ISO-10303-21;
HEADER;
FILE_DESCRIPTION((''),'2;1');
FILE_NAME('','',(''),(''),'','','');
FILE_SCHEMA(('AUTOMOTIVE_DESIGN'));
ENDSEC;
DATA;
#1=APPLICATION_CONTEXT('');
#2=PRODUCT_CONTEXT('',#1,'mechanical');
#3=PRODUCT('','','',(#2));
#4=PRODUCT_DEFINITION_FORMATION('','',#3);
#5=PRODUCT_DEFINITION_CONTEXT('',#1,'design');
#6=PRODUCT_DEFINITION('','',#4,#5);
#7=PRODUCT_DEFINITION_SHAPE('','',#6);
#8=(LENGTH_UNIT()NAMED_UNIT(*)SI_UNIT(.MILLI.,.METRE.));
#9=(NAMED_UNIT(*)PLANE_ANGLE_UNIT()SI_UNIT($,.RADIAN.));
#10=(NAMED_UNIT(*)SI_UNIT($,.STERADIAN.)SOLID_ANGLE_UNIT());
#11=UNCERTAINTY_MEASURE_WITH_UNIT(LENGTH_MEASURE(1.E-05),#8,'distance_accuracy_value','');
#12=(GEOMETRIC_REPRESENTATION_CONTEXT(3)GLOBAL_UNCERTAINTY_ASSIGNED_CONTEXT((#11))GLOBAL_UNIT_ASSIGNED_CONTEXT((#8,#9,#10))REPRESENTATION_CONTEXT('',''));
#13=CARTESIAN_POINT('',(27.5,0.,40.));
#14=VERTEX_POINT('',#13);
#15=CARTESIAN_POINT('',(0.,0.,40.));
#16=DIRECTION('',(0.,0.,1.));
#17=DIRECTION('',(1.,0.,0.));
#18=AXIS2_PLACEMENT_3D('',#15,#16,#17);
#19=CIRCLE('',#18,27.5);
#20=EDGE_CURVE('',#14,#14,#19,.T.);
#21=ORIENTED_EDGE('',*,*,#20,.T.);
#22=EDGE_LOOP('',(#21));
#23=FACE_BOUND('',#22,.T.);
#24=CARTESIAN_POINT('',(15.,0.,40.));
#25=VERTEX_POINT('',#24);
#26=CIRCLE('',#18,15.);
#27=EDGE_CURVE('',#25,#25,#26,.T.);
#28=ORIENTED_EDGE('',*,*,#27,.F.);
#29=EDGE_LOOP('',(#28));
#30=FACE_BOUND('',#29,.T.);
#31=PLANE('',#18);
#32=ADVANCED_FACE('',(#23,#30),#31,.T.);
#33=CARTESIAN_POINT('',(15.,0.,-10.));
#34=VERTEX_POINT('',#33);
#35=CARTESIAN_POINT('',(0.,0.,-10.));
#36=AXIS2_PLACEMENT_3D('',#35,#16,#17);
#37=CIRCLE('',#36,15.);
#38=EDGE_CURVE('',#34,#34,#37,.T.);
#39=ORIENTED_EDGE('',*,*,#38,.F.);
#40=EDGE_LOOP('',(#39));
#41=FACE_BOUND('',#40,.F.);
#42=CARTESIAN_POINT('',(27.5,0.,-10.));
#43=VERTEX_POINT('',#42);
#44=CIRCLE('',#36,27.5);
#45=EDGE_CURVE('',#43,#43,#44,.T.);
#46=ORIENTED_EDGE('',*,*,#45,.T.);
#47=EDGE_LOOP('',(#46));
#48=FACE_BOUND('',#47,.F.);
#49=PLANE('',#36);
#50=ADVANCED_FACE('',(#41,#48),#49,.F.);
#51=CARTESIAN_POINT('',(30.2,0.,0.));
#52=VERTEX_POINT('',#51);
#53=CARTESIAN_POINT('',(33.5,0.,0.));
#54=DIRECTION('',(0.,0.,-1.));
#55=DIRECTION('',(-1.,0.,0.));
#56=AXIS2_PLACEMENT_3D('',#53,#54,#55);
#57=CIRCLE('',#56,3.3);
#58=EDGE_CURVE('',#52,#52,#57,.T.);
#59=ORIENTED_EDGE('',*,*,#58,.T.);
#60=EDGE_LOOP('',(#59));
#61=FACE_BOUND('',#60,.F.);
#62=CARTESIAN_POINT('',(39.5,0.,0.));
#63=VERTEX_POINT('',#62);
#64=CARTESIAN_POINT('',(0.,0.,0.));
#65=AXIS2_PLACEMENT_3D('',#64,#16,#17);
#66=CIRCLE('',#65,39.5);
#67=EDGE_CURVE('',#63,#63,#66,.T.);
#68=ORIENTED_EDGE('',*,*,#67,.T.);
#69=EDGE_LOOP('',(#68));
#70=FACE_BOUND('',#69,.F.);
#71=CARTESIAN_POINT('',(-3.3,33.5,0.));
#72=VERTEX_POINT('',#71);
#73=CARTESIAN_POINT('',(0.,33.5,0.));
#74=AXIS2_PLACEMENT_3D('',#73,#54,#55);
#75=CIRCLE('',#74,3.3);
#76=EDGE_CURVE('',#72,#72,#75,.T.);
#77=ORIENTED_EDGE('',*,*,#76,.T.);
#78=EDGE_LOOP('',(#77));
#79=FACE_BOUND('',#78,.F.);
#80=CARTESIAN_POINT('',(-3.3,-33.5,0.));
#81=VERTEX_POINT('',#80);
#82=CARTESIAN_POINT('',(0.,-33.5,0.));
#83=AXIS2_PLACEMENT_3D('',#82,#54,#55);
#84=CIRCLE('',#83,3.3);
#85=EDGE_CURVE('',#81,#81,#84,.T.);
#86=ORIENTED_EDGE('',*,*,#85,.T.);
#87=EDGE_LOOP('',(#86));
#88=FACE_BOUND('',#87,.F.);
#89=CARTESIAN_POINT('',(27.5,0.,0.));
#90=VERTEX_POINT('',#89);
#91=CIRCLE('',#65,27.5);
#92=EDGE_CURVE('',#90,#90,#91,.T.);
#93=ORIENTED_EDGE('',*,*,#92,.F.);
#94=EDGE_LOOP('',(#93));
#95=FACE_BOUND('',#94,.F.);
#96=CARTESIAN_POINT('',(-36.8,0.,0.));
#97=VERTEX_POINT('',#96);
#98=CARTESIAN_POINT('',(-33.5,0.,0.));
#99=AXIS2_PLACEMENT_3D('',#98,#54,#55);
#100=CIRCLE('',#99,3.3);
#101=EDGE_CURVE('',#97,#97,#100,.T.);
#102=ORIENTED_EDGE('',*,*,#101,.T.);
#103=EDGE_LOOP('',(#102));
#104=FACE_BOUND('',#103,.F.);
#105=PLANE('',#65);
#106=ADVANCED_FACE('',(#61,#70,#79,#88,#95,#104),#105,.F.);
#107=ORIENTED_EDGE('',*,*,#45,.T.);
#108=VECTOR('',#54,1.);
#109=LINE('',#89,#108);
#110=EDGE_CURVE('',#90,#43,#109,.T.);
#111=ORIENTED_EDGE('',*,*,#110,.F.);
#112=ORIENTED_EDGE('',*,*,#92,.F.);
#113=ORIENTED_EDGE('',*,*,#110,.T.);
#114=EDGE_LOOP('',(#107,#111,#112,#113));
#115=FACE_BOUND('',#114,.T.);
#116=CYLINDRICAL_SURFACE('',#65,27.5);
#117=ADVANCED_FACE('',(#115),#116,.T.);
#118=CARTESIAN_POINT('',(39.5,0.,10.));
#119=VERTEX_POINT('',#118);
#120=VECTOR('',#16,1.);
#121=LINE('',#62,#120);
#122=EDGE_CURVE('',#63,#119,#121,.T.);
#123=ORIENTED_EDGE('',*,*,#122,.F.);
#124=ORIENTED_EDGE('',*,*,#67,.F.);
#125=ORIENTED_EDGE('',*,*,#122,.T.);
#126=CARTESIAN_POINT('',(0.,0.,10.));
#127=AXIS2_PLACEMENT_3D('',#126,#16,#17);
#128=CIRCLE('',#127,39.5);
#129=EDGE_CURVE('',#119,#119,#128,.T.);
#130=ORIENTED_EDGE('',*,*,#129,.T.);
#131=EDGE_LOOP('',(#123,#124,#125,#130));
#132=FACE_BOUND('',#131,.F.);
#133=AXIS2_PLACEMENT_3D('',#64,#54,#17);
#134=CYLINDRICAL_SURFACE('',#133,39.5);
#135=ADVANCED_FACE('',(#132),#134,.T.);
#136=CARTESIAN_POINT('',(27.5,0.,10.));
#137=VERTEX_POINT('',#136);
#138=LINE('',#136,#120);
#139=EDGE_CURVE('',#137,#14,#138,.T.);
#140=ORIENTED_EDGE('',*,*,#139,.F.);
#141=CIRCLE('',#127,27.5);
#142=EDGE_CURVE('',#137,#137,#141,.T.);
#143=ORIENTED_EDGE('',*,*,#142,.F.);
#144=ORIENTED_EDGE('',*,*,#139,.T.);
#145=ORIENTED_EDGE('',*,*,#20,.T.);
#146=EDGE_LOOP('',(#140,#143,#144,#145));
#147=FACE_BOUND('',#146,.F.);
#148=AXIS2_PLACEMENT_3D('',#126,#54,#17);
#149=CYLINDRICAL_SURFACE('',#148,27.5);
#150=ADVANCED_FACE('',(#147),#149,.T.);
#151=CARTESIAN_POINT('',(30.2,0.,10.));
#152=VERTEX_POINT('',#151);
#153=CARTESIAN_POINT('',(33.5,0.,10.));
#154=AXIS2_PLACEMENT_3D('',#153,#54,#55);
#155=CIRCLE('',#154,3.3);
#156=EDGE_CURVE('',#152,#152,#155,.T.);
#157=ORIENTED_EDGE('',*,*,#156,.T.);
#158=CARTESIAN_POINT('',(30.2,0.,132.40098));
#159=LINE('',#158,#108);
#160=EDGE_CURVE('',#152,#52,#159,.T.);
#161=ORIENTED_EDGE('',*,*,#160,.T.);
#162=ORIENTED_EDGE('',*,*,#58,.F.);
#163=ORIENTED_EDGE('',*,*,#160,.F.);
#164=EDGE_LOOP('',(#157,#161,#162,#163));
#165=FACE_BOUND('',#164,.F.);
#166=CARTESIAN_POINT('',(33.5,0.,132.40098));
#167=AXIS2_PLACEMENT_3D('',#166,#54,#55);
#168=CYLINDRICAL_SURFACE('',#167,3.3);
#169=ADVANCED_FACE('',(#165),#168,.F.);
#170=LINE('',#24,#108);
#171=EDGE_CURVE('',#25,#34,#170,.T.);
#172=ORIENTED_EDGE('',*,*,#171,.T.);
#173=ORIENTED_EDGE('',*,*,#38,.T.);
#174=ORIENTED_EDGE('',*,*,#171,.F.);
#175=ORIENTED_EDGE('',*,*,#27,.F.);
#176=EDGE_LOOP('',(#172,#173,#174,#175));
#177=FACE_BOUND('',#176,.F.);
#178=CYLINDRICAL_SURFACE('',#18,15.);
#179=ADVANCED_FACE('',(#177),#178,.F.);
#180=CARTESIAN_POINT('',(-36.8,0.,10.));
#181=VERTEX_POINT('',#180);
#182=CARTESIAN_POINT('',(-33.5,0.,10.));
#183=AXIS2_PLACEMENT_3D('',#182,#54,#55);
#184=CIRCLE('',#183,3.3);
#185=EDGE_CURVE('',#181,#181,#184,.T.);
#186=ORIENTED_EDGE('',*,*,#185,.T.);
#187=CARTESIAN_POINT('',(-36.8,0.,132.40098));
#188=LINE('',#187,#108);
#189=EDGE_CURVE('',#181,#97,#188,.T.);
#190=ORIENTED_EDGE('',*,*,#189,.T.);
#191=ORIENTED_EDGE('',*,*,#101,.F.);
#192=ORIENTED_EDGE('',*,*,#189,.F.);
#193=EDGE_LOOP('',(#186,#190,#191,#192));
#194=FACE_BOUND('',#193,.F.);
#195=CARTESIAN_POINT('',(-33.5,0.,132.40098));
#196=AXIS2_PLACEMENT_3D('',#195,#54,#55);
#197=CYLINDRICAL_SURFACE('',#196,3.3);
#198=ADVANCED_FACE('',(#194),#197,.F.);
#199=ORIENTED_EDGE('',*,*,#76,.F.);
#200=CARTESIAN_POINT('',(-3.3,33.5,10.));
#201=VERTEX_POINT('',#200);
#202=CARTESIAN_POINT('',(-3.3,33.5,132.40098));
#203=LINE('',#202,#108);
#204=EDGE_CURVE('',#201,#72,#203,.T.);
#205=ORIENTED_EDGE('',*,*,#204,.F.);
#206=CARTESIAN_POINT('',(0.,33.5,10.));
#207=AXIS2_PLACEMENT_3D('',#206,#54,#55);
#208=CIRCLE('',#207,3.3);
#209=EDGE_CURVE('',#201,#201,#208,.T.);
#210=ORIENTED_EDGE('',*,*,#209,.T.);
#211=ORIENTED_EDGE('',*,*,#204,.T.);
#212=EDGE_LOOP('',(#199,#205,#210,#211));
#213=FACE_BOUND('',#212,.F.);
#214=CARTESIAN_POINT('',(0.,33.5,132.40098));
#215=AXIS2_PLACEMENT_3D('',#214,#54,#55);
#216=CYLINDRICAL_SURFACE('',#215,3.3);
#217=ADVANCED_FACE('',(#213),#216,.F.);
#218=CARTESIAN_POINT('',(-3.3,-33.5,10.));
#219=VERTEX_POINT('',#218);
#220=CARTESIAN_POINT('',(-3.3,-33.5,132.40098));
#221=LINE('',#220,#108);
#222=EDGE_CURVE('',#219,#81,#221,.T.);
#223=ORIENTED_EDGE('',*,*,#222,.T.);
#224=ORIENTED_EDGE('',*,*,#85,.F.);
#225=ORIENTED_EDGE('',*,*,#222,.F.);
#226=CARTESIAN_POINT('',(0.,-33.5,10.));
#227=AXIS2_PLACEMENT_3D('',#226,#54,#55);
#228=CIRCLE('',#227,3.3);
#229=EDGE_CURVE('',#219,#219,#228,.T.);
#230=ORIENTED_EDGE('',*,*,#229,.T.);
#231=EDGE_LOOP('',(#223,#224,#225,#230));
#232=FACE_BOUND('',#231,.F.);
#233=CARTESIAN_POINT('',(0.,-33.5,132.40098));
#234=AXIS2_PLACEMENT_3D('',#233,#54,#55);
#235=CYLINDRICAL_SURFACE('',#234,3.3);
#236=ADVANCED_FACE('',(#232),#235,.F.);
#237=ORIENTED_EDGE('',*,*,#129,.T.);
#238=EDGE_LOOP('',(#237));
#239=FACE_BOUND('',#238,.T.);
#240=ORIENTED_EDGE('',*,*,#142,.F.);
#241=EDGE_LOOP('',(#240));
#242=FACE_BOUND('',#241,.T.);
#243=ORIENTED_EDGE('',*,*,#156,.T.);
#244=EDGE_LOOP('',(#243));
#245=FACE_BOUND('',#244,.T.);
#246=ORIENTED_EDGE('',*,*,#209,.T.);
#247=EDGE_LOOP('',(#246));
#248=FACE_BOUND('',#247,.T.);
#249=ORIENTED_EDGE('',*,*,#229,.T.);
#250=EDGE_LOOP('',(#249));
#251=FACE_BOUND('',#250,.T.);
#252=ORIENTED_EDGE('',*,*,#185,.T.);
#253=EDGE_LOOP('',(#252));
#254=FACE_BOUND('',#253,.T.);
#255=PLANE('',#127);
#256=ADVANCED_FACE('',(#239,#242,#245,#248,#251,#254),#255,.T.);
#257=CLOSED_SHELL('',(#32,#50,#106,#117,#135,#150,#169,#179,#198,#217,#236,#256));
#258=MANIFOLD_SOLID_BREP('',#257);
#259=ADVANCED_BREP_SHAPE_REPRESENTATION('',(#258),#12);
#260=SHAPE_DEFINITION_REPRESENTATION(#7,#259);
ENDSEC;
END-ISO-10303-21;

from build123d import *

# Parameters (mm, degrees)
F0_R     = 27.5
F1_DEPTH = 10
F2_R     = 39.5
F3_DEPTH = 10
F4_R     = 27.5
F5_DEPTH = 30
F6_R     = 15
F7_DEPTH = 50.001
F9_D     = 6.6


with BuildPart() as f1:
    # F0 (on Top) → F1 (new body)
    with BuildSketch(Plane.XY):
        Circle(F0_R)
    extrude(amount=-F1_DEPTH)

    # F2 (on Top) → F3 (join)
    with BuildSketch(Plane.XY):
        Circle(F2_R)
    extrude(amount=F3_DEPTH)

    # F4 (on face) → F5 (join)
    with BuildSketch(Plane.XY.offset(10)):
        Circle(F4_R)
    extrude(amount=F5_DEPTH)

    # F6 (on face) → F7 (cut, through all)
    with BuildSketch(Plane.XY.offset(40)):
        Circle(F6_R)
    extrude(amount=-F7_DEPTH, mode=Mode.SUBTRACT)

    # F9 (through all)
    with Locations(Plane.XY.offset(10)):
        with Locations((0, 33.5), (33.5, 0), (0, -33.5), (-33.5, 0)):
            Hole(F9_D / 2)


solid = f1.part
